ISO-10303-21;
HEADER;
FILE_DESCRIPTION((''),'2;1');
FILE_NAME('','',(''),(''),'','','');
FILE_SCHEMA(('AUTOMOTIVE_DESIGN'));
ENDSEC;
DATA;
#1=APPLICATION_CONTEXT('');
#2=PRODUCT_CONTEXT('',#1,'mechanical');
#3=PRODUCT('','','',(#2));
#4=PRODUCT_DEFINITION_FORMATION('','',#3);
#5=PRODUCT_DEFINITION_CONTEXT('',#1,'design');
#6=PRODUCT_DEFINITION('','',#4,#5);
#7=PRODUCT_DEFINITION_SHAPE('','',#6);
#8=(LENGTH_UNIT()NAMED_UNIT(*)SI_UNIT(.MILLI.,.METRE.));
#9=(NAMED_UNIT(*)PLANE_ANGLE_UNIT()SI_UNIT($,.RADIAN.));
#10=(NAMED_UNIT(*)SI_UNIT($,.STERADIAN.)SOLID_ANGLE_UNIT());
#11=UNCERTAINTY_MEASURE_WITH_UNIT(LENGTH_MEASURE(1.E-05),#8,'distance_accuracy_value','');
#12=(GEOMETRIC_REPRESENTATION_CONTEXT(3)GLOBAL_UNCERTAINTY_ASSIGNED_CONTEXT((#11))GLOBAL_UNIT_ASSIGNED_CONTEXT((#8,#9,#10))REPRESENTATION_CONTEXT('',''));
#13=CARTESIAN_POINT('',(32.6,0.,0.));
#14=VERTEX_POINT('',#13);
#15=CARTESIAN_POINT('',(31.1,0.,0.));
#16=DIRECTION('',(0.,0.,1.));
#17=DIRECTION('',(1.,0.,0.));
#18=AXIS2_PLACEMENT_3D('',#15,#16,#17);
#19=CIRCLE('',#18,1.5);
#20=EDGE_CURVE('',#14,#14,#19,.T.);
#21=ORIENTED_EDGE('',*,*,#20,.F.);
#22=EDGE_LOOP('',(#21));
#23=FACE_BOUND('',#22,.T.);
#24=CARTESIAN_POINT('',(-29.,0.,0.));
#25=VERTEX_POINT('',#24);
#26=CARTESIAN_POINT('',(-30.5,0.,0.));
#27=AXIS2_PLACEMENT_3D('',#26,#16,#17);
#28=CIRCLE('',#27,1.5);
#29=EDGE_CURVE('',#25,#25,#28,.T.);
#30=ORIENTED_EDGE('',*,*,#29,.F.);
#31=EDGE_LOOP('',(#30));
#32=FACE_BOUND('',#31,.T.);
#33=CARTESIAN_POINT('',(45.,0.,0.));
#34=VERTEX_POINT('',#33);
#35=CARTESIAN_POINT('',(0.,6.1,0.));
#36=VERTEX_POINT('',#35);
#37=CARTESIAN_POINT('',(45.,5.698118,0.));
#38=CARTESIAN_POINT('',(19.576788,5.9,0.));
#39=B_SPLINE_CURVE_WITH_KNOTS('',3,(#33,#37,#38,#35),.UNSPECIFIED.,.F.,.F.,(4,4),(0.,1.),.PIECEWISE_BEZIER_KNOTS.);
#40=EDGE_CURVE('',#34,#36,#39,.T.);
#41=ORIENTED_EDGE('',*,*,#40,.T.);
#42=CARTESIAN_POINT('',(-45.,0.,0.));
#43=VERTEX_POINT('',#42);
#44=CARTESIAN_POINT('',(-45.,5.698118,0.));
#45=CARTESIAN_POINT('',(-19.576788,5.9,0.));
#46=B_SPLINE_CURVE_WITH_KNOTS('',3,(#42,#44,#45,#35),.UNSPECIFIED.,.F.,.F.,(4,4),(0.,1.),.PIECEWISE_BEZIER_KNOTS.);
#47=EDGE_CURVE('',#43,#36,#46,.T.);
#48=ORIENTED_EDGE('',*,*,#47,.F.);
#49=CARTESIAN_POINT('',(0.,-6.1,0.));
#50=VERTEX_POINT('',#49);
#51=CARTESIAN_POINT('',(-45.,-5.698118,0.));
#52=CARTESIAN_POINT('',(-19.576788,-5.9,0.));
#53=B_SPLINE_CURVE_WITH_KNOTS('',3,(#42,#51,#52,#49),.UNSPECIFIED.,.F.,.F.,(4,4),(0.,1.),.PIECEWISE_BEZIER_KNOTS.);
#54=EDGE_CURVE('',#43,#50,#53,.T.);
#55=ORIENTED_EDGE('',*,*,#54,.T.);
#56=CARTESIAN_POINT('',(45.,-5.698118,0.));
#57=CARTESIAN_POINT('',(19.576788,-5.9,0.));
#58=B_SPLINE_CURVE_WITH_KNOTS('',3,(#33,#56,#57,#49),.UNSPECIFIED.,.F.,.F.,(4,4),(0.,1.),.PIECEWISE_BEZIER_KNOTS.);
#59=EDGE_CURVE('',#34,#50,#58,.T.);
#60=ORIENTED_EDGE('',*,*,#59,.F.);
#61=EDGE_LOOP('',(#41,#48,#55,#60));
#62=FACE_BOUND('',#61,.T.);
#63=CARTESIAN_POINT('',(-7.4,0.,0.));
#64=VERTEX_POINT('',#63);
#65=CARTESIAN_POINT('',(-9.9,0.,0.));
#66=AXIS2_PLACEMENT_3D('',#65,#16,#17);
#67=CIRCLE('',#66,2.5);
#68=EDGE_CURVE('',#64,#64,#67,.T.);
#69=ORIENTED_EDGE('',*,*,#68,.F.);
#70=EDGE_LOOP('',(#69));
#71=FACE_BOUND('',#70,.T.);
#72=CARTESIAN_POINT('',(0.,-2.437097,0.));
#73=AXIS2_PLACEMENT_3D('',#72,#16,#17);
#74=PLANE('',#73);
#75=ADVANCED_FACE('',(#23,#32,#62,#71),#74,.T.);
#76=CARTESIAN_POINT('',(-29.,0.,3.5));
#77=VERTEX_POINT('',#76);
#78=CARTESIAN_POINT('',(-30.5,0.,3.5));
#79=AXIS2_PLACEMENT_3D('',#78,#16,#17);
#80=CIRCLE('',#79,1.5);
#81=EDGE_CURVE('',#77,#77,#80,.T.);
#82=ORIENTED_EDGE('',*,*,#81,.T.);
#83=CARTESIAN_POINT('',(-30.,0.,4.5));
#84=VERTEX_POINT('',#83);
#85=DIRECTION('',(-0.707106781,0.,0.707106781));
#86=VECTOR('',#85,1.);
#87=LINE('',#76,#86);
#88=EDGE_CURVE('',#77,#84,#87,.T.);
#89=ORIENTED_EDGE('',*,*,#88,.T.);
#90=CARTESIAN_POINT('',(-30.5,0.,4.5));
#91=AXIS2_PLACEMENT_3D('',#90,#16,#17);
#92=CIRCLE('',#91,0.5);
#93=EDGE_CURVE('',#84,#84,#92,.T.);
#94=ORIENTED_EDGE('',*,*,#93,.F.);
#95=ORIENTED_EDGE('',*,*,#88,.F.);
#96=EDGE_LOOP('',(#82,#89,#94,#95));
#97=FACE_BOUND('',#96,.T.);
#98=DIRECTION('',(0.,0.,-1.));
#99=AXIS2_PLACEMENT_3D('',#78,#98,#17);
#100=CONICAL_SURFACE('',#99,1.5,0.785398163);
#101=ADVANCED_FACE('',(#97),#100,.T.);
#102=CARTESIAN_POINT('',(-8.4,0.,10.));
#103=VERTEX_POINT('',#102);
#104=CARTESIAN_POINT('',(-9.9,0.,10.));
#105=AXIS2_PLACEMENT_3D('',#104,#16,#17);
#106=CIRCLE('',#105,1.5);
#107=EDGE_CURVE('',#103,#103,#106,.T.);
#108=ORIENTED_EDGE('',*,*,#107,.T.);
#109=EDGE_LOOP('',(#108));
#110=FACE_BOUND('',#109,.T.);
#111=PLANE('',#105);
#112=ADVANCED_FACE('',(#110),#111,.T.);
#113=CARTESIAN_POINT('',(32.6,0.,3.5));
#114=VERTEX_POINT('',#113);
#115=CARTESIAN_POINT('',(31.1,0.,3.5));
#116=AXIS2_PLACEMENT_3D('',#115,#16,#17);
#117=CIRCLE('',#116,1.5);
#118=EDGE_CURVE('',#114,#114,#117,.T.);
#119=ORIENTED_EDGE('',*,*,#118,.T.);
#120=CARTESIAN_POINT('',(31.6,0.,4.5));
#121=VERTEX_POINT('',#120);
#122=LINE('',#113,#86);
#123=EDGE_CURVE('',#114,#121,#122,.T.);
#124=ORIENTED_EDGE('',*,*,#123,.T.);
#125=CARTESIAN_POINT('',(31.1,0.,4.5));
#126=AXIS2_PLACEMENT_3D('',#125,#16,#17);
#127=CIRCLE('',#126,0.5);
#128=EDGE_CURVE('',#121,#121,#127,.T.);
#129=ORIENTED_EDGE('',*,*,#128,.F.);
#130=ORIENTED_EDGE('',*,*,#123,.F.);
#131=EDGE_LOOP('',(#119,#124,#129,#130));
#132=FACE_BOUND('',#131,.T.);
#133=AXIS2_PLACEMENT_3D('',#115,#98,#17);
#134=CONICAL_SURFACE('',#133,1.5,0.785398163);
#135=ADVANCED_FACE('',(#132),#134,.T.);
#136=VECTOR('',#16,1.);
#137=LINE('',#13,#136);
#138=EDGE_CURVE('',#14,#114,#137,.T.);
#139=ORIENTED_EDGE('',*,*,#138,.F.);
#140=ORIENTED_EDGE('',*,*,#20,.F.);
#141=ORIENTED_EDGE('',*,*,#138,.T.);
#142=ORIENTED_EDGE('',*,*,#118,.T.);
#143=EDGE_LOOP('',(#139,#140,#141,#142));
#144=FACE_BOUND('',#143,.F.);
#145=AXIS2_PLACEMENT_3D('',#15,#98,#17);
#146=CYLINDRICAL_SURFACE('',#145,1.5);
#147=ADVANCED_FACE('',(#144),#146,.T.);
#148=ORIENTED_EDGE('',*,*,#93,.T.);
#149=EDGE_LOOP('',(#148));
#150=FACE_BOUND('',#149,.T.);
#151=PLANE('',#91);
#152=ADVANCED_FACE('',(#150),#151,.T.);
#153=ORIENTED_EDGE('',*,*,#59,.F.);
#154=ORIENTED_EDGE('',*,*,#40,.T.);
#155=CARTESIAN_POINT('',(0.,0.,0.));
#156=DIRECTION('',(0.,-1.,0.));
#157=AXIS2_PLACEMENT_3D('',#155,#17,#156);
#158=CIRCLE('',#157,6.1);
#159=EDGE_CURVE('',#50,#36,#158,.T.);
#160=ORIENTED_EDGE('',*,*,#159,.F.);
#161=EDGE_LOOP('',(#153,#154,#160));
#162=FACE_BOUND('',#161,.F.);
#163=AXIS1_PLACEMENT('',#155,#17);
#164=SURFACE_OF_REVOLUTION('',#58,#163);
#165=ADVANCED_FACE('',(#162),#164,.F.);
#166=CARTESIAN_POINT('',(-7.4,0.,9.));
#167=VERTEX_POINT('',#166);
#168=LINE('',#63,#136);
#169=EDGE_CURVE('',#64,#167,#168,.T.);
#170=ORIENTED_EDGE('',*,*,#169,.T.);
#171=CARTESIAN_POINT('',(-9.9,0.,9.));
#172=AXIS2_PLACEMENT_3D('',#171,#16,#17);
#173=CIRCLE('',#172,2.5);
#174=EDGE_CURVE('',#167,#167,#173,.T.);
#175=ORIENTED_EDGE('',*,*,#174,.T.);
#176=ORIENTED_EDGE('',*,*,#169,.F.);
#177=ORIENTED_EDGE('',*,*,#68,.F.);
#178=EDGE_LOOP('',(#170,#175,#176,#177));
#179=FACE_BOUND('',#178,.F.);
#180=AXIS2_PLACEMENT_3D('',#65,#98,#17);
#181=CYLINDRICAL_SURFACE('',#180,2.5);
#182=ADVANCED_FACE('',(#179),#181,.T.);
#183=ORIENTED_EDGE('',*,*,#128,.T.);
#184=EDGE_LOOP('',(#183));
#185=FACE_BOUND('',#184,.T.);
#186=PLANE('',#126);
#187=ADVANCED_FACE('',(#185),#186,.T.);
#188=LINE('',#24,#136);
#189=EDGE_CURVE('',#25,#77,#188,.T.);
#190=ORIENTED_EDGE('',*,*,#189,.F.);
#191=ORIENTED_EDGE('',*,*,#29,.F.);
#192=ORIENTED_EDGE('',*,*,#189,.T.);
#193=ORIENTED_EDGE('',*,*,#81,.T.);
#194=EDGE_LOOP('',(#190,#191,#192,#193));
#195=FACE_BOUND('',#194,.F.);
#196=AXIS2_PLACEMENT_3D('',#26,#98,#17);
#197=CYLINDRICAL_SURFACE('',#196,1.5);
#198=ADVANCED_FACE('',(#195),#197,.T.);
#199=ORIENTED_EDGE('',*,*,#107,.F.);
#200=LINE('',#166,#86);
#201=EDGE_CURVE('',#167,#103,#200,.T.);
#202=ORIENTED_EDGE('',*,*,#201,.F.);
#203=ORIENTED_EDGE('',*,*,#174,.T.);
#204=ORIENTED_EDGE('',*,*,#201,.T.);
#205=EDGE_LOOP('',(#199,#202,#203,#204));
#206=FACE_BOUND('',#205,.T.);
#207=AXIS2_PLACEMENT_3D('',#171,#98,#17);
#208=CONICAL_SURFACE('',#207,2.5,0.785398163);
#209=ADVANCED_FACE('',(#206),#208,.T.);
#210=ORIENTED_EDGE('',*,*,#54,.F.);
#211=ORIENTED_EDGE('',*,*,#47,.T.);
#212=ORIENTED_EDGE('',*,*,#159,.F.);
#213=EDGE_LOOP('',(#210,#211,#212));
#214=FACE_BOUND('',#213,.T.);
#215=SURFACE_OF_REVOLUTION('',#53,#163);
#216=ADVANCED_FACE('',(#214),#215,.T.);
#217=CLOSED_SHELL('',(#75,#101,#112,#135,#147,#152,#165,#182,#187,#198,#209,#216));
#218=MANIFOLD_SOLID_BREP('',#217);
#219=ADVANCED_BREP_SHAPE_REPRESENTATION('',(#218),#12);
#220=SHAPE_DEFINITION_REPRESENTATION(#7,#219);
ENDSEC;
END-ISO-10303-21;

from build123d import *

# Parameters (mm, degrees)
F2_ANGLE = 180
F3_R     = 1.5
F4_DEPTH = 4.5
F3_R_2   = 2.5
F5_DEPTH = 10
F6_SIZE  = 1


with BuildPart() as f2:
    # F1 (on Top) → F2 (revolve)
    with BuildSketch(Plane.XY):
        with BuildLine():
            Line((45, 0), (-45, 0))
            add(Edge.make_bspline(
                [(-45, 0), (-45, -5.698118126), (-19.5767879486, -5.9), (0, -6.1)],
                knots=[0, 0, 0, 0, 1, 1, 1, 1], degree=3))
            add(Edge.make_bspline(
                [(45, 0), (45, -5.698118126), (19.5767879486, -5.9), (0, -6.1)],
                knots=[0, 0, 0, 0, 1, 1, 1, 1], degree=3))
        make_face()
    revolve(axis=Axis((0, 0, 0), (1, 0, 0)), revolution_arc=F2_ANGLE)

    # F3 (on face) → F4 (join)
    with BuildSketch(Plane.XY):
        with Locations((-30.5, 0)):
            Circle(F3_R)
        with Locations((31.1, 0)):
            Circle(F3_R)
    extrude(amount=F4_DEPTH)

    # F3 (on face) → F5 (join)
    with BuildSketch(Plane.XY):
        with Locations((-9.9, 0)):
            Circle(F3_R_2)
    extrude(amount=F5_DEPTH)

    # F6
    f6_edges = [f2.edges().sort_by_distance(p)[0] for p in [
        (-32, 0, 4.5),
        (-12.4, 0, 10),
        (29.6, 0, 4.5),
    ]]
    chamfer(f6_edges, length=F6_SIZE)


solid = f2.part
